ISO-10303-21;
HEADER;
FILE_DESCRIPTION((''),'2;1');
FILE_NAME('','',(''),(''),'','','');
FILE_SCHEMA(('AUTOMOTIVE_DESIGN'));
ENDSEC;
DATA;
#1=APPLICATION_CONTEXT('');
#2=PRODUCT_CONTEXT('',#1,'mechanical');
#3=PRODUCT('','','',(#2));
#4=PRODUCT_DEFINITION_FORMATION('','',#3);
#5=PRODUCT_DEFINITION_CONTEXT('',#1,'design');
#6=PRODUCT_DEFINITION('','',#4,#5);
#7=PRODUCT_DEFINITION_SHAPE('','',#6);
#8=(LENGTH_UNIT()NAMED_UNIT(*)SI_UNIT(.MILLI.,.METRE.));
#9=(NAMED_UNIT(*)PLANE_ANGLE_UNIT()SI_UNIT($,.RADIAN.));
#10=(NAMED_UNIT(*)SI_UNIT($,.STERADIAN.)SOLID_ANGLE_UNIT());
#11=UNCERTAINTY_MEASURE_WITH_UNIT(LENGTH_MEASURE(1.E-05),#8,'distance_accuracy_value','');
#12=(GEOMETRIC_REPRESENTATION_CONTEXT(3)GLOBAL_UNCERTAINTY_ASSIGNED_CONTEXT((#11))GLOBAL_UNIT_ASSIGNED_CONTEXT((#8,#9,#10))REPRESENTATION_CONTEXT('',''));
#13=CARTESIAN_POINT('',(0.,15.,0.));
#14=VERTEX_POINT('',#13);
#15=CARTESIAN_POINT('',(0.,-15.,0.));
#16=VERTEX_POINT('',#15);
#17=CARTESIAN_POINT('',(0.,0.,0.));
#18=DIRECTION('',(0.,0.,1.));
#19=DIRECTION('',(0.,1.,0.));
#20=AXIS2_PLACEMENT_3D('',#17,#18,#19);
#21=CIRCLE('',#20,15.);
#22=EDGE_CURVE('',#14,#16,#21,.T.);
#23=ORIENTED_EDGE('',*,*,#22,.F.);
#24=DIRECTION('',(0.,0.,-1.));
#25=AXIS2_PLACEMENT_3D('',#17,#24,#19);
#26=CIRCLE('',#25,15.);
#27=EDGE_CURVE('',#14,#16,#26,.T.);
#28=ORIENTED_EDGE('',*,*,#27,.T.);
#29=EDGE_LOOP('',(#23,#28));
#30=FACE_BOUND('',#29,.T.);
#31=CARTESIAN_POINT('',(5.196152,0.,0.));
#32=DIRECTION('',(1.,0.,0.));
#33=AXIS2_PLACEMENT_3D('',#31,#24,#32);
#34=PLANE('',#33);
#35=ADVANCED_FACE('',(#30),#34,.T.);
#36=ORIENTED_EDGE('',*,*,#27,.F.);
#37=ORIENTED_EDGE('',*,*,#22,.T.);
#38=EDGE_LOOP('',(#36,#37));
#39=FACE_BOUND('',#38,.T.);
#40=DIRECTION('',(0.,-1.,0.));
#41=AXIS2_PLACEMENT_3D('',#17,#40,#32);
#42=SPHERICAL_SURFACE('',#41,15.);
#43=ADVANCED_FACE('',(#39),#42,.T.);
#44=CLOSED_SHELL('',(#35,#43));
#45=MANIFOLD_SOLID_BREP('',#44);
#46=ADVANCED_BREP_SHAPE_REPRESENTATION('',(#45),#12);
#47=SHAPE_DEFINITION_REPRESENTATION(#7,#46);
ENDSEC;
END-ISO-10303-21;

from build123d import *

# Parameters (mm, degrees)
SPHERE_ANGLE         = 180
BODY_PLACEMENT_ANGLE = 90


with BuildPart() as part:
    # Sphere → Sphere (revolve)
    with BuildSketch(Plane.XZ):
        with BuildLine():
            ThreePointArc((0, -15), (15, 0), (0, 15))
            Line((0, 15), (0, -15))
        make_face()
    revolve(axis=Axis((0, 0, 0), (0, 0, 1)), revolution_arc=SPHERE_ANGLE)


with BuildPart() as part_1:
    # Body placement: moved
    add(part.part.rotate(Axis((0, 0, 0), (1, 0, 0)), BODY_PLACEMENT_ANGLE))


solid = part_1.part
